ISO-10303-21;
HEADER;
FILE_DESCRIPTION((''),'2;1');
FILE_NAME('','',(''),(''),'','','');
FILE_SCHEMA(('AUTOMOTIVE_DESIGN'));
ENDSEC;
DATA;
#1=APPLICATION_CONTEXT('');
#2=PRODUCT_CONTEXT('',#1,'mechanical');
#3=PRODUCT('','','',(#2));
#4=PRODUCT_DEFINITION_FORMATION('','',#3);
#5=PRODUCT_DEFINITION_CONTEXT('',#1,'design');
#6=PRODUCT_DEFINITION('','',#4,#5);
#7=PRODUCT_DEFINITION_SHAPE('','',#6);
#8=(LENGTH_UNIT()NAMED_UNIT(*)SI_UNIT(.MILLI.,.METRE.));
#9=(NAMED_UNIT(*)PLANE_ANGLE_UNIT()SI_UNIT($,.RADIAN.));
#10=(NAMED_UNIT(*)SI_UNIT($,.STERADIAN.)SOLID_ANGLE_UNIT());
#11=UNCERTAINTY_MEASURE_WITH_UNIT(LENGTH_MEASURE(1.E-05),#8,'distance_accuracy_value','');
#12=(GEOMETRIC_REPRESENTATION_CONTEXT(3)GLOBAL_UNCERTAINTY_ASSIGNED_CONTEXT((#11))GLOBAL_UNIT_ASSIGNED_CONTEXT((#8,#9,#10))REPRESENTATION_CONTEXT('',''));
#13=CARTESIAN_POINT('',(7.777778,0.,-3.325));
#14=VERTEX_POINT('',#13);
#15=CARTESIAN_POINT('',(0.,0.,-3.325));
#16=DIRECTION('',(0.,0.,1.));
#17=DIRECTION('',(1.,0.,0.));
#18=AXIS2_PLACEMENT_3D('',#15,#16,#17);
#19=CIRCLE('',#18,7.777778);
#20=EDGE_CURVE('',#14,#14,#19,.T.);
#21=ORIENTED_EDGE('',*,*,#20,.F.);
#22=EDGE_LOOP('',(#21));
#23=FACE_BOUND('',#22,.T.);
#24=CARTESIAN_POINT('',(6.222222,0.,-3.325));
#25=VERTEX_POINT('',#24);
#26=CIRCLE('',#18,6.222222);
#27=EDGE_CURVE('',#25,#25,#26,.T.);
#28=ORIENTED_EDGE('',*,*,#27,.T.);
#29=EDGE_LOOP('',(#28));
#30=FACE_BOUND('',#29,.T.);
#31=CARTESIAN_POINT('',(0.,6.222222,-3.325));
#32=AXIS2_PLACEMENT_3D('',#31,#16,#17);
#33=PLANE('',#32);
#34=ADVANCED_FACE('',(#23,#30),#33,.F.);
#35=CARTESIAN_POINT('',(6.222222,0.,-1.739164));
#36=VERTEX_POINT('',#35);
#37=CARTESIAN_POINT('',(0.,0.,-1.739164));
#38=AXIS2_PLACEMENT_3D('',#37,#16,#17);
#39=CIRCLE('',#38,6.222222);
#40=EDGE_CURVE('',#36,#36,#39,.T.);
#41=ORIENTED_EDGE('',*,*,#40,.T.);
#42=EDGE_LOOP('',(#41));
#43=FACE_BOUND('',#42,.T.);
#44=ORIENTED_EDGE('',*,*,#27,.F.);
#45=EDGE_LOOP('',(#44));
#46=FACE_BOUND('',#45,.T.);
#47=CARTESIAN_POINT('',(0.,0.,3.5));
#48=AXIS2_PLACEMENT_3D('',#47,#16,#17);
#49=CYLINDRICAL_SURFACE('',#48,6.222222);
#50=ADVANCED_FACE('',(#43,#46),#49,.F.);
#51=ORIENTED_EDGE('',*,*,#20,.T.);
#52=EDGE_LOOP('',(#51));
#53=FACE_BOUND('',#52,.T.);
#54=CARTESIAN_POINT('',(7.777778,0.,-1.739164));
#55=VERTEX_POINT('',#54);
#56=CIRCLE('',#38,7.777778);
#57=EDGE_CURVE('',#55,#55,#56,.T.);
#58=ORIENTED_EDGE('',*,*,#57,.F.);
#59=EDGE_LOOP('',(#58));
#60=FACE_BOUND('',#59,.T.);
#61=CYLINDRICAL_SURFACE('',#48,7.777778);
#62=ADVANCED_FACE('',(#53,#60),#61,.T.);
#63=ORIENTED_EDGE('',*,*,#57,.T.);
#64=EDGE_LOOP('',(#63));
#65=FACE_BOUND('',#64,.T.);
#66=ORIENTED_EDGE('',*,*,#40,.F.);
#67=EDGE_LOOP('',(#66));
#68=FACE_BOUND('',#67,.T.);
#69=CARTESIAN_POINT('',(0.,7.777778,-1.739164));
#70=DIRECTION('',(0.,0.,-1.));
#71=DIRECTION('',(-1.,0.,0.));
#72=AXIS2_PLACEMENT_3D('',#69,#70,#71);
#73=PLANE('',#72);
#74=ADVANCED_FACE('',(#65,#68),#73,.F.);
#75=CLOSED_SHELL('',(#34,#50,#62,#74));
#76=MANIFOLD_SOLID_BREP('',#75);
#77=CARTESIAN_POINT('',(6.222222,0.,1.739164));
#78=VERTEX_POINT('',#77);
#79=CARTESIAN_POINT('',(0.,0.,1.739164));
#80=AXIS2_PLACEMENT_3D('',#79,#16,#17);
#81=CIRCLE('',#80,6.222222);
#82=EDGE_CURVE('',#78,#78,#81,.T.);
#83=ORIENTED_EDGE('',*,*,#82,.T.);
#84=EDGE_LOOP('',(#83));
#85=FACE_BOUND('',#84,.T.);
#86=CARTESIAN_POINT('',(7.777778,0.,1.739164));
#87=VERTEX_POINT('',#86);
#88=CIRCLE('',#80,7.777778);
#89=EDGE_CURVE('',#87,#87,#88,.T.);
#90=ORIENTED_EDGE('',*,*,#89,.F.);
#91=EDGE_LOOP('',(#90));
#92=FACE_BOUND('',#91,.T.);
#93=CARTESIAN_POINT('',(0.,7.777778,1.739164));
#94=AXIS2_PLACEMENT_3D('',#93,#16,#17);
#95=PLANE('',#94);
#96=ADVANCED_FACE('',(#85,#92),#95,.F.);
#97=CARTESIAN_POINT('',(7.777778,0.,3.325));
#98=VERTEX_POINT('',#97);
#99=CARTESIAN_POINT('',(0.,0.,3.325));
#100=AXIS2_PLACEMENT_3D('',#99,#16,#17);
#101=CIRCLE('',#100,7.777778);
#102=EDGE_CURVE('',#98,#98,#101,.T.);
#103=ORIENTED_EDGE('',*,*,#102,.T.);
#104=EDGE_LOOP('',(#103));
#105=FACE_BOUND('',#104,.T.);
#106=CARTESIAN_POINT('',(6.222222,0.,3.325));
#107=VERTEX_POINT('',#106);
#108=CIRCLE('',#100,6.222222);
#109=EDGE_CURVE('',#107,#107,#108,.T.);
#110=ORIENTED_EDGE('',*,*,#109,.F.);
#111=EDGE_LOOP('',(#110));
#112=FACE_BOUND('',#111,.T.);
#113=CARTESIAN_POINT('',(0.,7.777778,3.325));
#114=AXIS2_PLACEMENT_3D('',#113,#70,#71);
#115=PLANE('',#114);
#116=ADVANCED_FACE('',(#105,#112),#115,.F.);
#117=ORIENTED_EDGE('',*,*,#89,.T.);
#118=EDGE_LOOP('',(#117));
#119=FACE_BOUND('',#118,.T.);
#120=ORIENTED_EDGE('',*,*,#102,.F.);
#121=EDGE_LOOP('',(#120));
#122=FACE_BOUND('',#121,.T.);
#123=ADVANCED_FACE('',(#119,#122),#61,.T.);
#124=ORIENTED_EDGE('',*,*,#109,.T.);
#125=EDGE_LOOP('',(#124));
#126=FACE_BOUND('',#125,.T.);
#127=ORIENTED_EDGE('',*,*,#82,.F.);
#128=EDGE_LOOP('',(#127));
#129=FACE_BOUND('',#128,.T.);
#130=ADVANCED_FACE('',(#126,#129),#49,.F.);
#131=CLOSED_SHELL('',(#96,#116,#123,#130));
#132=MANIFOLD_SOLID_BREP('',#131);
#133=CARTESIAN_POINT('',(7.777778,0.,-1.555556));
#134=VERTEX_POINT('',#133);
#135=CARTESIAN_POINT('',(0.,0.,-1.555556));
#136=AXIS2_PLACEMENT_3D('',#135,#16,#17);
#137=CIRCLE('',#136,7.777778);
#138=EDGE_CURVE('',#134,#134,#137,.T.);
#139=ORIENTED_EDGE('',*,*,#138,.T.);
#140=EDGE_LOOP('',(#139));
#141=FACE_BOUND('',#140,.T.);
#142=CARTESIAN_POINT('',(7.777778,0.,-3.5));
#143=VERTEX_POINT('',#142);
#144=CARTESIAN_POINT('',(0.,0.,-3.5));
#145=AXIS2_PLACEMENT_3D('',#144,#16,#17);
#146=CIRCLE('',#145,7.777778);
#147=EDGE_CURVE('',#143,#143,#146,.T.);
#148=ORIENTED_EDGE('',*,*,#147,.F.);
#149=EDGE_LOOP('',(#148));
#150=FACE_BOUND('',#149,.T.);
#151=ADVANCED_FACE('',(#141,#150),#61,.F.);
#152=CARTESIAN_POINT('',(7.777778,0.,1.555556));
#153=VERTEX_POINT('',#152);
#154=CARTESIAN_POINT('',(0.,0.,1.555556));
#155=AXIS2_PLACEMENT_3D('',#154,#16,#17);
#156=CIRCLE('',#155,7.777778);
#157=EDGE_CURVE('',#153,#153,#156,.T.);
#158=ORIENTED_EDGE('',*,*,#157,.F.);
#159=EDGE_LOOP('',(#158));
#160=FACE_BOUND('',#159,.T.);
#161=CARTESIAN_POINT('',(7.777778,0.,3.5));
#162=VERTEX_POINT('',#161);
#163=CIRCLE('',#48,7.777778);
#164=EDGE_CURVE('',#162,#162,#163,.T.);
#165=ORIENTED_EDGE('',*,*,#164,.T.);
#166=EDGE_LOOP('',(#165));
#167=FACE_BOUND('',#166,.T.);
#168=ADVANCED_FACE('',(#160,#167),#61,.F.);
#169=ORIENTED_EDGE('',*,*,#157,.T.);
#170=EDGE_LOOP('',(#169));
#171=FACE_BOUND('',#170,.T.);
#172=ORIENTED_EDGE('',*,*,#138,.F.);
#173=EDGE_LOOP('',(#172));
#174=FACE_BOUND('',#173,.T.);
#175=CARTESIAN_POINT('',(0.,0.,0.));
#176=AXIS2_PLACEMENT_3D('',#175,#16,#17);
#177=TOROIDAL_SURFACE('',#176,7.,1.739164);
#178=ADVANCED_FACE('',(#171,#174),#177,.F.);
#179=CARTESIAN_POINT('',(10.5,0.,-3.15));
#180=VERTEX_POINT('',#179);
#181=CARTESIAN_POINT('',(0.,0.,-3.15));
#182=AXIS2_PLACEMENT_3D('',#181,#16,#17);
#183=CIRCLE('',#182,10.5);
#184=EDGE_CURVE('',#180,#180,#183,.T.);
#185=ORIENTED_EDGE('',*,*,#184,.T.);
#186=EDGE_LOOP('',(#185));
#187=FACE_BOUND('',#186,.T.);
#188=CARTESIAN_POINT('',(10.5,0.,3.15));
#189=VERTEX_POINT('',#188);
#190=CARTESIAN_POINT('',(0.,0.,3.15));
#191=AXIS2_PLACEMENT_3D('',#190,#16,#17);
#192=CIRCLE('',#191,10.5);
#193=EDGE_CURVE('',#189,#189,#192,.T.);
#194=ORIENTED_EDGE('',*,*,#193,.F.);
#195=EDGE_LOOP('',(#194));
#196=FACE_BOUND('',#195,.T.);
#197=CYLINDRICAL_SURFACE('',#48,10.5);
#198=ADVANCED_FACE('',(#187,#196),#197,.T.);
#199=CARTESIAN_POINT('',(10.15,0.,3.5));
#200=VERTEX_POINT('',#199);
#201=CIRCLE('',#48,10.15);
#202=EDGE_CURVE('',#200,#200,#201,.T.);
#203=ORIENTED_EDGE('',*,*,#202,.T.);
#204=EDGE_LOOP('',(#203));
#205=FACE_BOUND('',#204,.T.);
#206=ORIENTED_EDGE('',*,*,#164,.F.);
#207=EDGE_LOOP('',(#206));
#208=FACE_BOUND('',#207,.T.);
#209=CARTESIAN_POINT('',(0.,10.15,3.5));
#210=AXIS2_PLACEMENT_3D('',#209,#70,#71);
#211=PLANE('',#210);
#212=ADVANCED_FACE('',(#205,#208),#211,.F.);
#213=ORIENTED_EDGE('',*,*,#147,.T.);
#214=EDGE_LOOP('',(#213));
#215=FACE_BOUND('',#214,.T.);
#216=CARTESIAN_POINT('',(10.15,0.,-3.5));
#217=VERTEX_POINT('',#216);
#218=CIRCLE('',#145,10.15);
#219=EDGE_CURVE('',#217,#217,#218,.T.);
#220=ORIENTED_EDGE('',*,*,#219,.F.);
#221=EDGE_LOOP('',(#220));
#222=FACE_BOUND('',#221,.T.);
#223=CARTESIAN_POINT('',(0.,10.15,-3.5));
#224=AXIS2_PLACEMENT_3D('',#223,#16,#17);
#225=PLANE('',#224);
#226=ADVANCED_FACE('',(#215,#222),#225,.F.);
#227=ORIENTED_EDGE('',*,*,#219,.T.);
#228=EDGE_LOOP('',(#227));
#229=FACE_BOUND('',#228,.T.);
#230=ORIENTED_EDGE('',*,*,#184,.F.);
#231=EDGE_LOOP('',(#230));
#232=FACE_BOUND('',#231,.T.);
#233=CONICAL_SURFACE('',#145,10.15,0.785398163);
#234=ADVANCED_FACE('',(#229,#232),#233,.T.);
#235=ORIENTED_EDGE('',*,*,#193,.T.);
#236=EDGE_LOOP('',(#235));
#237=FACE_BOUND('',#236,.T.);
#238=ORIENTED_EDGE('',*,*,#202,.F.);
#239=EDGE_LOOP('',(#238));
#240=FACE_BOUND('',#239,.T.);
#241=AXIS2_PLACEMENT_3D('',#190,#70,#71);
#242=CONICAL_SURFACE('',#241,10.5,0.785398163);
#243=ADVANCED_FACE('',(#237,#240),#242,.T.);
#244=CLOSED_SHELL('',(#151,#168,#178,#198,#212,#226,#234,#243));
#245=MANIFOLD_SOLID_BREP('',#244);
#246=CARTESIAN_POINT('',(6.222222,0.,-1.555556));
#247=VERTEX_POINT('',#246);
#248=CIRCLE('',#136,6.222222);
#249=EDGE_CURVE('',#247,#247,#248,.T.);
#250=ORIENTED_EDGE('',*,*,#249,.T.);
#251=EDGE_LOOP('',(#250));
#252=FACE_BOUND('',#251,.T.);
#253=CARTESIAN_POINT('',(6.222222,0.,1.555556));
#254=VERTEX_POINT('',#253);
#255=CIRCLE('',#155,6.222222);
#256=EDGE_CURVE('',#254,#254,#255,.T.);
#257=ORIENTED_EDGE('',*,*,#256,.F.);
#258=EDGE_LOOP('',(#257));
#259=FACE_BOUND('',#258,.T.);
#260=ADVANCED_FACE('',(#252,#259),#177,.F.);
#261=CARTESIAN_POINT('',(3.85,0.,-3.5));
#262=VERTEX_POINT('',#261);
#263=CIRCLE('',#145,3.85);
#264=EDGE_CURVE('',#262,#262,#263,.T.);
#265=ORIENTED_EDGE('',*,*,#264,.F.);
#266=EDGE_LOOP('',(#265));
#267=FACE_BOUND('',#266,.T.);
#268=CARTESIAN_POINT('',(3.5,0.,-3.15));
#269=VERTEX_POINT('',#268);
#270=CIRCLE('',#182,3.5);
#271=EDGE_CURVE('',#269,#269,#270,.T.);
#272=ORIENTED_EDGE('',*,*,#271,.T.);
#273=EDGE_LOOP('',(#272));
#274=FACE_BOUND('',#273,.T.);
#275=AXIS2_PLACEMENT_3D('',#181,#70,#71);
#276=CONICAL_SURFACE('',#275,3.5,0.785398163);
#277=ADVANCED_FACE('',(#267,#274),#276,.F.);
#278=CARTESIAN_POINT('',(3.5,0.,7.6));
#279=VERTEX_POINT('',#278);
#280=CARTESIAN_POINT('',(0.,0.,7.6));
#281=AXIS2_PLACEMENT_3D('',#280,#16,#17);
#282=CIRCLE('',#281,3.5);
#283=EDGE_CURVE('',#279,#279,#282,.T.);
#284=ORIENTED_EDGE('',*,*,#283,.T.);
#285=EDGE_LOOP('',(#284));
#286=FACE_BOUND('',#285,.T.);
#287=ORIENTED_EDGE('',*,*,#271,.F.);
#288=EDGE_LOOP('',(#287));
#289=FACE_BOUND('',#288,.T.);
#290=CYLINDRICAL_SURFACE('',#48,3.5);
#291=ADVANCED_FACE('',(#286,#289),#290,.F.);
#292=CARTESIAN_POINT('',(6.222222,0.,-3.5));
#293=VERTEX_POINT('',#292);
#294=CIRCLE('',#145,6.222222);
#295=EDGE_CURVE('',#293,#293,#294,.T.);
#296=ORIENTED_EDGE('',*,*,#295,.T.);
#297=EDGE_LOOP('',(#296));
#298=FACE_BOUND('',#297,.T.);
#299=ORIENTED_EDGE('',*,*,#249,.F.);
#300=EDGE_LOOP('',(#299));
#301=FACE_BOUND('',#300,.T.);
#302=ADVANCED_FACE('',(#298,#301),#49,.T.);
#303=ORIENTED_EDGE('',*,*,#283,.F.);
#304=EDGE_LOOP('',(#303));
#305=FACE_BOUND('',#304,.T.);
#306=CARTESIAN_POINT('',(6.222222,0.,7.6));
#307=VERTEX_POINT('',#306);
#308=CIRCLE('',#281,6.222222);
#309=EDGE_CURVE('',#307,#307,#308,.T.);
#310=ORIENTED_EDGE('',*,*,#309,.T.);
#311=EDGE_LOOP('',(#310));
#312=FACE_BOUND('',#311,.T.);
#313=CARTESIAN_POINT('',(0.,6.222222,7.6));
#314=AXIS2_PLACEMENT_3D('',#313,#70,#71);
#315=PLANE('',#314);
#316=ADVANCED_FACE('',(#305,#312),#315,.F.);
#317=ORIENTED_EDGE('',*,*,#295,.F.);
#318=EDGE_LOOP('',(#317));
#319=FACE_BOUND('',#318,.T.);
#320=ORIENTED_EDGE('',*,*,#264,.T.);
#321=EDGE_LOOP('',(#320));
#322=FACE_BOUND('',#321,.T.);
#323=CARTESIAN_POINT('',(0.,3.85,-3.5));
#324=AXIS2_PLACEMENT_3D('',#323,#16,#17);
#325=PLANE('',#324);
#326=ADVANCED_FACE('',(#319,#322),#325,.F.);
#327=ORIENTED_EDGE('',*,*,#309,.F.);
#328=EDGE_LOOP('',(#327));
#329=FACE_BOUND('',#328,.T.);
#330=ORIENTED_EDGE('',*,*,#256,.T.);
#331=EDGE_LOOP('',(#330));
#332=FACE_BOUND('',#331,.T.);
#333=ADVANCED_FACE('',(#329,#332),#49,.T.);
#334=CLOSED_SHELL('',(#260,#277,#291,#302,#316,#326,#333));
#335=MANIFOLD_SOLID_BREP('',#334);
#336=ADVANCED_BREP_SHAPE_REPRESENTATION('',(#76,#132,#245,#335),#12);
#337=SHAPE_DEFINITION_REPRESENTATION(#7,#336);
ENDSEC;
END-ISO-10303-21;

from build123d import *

# Parameters (mm, degrees)
COVER_1_SKETCH_W = 1.585836018
COVER_1_SKETCH_H = 1.555555556
COVER_2_SKETCH_W = 1.585836018
COVER_2_SKETCH_H = 1.555555556


with BuildPart() as part:
    # Outter Chase Sketch → Outter Chase Revolve (revolve)
    with BuildSketch(Plane(origin=(0, 0, 0), x_dir=(0, 0, -1), z_dir=(1, 0, 0)), mode=Mode.PRIVATE) as outter_chase_revolve_sk:
        with BuildLine():
            Line((3.15, 10.5), (-3.15, 10.5))
            Line((-3.15, 10.5), (-3.5, 10.15))
            Line((-3.5, 10.15), (-3.5, 7.777777778))
            Line((-3.5, 7.777777778), (-1.555555556, 7.777777778))
            ThreePointArc((-1.555555556, 7.777777778), (0, 8.739163982), (1.555555556, 7.777777778))
            Line((1.555555556, 7.777777778), (3.5, 7.777777778))
            Line((3.5, 7.777777778), (3.5, 10.15))
            Line((3.5, 10.15), (3.15, 10.5))
        make_face()
    revolve(outter_chase_revolve_sk.sketch.rotate(Axis((0, 0, 3.5), (0, 0, -1)), 90), axis=Axis((0, 0, 3.5), (0, 0, -1)))


with BuildPart() as body_2:
    # Inner Chase Sketch → Inner Chase Revolve (revolve)
    with BuildSketch(Plane(origin=(0, 0, 0), x_dir=(0, 0, -1), z_dir=(1, 0, 0)), mode=Mode.PRIVATE) as inner_chase_revolve_sk:
        with BuildLine():
            Line((-3.5, 6.222222222), (-1.555555556, 6.222222222))
            ThreePointArc((-1.555555556, 6.222222222), (0, 5.260836018), (1.555555556, 6.222222222))
            Line((1.555555556, 6.222222222), (3.5, 6.222222222))
            Line((3.5, 6.222222222), (3.5, 3.85))
            Line((3.5, 3.85), (3.15, 3.5))
            Line((3.15, 3.5), (-3.15, 3.5))
            Line((-3.15, 3.5), (-3.5, 3.85))
            Line((-3.5, 3.85), (-3.5, 6.222222222))
        make_face()
    revolve(inner_chase_revolve_sk.sketch.rotate(Axis((0, 0, 3.5), (0, 0, -1)), 90), axis=Axis((0, 0, 3.5), (0, 0, -1)))

    # Flange Sketch → Flange Revolve (revolve)
    with BuildSketch(Plane(origin=(0, 0, 0), x_dir=(0, 0, -1), z_dir=(1, 0, 0)), mode=Mode.PRIVATE) as flange_revolve_sk:
        Polygon((-3.15, 3.5), (-3.5, 3.85), (-3.5, 6.222222222), (-7.6, 6.222222222), (-7.6, 3.5), align=None)
    revolve(flange_revolve_sk.sketch.rotate(Axis((0, 0, 3.5), (0, 0, -1)), 90), axis=Axis((0, 0, 3.5), (0, 0, -1)))


with BuildPart() as body_3:
    # Cover 1 Sketch → Cover 1 Revolve (revolve)
    with BuildSketch(Plane(origin=(0, 0, 0), x_dir=(0, 0, -1), z_dir=(1, 0, 0)), mode=Mode.PRIVATE) as cover_1_revolve_sk:
        with Locations((-2.532081991, 7)):
            Rectangle(COVER_1_SKETCH_W, COVER_1_SKETCH_H)
    revolve(cover_1_revolve_sk.sketch.rotate(Axis((0, 0, 3.5), (0, 0, -1)), 90), axis=Axis((0, 0, 3.5), (0, 0, -1)))


with BuildPart() as body_4:
    # Cover 2 Sketch → Cover 2 Revolve (revolve)
    with BuildSketch(Plane(origin=(0, 0, 0), x_dir=(0, 0, -1), z_dir=(1, 0, 0)), mode=Mode.PRIVATE) as cover_2_revolve_sk:
        with Locations((2.532081991, 7)):
            Rectangle(COVER_2_SKETCH_W, COVER_2_SKETCH_H)
    revolve(cover_2_revolve_sk.sketch.rotate(Axis((0, 0, 3.5), (0, 0, -1)), 90), axis=Axis((0, 0, 3.5), (0, 0, -1)))


solid = Compound([part.part, body_2.part, body_3.part, body_4.part])
